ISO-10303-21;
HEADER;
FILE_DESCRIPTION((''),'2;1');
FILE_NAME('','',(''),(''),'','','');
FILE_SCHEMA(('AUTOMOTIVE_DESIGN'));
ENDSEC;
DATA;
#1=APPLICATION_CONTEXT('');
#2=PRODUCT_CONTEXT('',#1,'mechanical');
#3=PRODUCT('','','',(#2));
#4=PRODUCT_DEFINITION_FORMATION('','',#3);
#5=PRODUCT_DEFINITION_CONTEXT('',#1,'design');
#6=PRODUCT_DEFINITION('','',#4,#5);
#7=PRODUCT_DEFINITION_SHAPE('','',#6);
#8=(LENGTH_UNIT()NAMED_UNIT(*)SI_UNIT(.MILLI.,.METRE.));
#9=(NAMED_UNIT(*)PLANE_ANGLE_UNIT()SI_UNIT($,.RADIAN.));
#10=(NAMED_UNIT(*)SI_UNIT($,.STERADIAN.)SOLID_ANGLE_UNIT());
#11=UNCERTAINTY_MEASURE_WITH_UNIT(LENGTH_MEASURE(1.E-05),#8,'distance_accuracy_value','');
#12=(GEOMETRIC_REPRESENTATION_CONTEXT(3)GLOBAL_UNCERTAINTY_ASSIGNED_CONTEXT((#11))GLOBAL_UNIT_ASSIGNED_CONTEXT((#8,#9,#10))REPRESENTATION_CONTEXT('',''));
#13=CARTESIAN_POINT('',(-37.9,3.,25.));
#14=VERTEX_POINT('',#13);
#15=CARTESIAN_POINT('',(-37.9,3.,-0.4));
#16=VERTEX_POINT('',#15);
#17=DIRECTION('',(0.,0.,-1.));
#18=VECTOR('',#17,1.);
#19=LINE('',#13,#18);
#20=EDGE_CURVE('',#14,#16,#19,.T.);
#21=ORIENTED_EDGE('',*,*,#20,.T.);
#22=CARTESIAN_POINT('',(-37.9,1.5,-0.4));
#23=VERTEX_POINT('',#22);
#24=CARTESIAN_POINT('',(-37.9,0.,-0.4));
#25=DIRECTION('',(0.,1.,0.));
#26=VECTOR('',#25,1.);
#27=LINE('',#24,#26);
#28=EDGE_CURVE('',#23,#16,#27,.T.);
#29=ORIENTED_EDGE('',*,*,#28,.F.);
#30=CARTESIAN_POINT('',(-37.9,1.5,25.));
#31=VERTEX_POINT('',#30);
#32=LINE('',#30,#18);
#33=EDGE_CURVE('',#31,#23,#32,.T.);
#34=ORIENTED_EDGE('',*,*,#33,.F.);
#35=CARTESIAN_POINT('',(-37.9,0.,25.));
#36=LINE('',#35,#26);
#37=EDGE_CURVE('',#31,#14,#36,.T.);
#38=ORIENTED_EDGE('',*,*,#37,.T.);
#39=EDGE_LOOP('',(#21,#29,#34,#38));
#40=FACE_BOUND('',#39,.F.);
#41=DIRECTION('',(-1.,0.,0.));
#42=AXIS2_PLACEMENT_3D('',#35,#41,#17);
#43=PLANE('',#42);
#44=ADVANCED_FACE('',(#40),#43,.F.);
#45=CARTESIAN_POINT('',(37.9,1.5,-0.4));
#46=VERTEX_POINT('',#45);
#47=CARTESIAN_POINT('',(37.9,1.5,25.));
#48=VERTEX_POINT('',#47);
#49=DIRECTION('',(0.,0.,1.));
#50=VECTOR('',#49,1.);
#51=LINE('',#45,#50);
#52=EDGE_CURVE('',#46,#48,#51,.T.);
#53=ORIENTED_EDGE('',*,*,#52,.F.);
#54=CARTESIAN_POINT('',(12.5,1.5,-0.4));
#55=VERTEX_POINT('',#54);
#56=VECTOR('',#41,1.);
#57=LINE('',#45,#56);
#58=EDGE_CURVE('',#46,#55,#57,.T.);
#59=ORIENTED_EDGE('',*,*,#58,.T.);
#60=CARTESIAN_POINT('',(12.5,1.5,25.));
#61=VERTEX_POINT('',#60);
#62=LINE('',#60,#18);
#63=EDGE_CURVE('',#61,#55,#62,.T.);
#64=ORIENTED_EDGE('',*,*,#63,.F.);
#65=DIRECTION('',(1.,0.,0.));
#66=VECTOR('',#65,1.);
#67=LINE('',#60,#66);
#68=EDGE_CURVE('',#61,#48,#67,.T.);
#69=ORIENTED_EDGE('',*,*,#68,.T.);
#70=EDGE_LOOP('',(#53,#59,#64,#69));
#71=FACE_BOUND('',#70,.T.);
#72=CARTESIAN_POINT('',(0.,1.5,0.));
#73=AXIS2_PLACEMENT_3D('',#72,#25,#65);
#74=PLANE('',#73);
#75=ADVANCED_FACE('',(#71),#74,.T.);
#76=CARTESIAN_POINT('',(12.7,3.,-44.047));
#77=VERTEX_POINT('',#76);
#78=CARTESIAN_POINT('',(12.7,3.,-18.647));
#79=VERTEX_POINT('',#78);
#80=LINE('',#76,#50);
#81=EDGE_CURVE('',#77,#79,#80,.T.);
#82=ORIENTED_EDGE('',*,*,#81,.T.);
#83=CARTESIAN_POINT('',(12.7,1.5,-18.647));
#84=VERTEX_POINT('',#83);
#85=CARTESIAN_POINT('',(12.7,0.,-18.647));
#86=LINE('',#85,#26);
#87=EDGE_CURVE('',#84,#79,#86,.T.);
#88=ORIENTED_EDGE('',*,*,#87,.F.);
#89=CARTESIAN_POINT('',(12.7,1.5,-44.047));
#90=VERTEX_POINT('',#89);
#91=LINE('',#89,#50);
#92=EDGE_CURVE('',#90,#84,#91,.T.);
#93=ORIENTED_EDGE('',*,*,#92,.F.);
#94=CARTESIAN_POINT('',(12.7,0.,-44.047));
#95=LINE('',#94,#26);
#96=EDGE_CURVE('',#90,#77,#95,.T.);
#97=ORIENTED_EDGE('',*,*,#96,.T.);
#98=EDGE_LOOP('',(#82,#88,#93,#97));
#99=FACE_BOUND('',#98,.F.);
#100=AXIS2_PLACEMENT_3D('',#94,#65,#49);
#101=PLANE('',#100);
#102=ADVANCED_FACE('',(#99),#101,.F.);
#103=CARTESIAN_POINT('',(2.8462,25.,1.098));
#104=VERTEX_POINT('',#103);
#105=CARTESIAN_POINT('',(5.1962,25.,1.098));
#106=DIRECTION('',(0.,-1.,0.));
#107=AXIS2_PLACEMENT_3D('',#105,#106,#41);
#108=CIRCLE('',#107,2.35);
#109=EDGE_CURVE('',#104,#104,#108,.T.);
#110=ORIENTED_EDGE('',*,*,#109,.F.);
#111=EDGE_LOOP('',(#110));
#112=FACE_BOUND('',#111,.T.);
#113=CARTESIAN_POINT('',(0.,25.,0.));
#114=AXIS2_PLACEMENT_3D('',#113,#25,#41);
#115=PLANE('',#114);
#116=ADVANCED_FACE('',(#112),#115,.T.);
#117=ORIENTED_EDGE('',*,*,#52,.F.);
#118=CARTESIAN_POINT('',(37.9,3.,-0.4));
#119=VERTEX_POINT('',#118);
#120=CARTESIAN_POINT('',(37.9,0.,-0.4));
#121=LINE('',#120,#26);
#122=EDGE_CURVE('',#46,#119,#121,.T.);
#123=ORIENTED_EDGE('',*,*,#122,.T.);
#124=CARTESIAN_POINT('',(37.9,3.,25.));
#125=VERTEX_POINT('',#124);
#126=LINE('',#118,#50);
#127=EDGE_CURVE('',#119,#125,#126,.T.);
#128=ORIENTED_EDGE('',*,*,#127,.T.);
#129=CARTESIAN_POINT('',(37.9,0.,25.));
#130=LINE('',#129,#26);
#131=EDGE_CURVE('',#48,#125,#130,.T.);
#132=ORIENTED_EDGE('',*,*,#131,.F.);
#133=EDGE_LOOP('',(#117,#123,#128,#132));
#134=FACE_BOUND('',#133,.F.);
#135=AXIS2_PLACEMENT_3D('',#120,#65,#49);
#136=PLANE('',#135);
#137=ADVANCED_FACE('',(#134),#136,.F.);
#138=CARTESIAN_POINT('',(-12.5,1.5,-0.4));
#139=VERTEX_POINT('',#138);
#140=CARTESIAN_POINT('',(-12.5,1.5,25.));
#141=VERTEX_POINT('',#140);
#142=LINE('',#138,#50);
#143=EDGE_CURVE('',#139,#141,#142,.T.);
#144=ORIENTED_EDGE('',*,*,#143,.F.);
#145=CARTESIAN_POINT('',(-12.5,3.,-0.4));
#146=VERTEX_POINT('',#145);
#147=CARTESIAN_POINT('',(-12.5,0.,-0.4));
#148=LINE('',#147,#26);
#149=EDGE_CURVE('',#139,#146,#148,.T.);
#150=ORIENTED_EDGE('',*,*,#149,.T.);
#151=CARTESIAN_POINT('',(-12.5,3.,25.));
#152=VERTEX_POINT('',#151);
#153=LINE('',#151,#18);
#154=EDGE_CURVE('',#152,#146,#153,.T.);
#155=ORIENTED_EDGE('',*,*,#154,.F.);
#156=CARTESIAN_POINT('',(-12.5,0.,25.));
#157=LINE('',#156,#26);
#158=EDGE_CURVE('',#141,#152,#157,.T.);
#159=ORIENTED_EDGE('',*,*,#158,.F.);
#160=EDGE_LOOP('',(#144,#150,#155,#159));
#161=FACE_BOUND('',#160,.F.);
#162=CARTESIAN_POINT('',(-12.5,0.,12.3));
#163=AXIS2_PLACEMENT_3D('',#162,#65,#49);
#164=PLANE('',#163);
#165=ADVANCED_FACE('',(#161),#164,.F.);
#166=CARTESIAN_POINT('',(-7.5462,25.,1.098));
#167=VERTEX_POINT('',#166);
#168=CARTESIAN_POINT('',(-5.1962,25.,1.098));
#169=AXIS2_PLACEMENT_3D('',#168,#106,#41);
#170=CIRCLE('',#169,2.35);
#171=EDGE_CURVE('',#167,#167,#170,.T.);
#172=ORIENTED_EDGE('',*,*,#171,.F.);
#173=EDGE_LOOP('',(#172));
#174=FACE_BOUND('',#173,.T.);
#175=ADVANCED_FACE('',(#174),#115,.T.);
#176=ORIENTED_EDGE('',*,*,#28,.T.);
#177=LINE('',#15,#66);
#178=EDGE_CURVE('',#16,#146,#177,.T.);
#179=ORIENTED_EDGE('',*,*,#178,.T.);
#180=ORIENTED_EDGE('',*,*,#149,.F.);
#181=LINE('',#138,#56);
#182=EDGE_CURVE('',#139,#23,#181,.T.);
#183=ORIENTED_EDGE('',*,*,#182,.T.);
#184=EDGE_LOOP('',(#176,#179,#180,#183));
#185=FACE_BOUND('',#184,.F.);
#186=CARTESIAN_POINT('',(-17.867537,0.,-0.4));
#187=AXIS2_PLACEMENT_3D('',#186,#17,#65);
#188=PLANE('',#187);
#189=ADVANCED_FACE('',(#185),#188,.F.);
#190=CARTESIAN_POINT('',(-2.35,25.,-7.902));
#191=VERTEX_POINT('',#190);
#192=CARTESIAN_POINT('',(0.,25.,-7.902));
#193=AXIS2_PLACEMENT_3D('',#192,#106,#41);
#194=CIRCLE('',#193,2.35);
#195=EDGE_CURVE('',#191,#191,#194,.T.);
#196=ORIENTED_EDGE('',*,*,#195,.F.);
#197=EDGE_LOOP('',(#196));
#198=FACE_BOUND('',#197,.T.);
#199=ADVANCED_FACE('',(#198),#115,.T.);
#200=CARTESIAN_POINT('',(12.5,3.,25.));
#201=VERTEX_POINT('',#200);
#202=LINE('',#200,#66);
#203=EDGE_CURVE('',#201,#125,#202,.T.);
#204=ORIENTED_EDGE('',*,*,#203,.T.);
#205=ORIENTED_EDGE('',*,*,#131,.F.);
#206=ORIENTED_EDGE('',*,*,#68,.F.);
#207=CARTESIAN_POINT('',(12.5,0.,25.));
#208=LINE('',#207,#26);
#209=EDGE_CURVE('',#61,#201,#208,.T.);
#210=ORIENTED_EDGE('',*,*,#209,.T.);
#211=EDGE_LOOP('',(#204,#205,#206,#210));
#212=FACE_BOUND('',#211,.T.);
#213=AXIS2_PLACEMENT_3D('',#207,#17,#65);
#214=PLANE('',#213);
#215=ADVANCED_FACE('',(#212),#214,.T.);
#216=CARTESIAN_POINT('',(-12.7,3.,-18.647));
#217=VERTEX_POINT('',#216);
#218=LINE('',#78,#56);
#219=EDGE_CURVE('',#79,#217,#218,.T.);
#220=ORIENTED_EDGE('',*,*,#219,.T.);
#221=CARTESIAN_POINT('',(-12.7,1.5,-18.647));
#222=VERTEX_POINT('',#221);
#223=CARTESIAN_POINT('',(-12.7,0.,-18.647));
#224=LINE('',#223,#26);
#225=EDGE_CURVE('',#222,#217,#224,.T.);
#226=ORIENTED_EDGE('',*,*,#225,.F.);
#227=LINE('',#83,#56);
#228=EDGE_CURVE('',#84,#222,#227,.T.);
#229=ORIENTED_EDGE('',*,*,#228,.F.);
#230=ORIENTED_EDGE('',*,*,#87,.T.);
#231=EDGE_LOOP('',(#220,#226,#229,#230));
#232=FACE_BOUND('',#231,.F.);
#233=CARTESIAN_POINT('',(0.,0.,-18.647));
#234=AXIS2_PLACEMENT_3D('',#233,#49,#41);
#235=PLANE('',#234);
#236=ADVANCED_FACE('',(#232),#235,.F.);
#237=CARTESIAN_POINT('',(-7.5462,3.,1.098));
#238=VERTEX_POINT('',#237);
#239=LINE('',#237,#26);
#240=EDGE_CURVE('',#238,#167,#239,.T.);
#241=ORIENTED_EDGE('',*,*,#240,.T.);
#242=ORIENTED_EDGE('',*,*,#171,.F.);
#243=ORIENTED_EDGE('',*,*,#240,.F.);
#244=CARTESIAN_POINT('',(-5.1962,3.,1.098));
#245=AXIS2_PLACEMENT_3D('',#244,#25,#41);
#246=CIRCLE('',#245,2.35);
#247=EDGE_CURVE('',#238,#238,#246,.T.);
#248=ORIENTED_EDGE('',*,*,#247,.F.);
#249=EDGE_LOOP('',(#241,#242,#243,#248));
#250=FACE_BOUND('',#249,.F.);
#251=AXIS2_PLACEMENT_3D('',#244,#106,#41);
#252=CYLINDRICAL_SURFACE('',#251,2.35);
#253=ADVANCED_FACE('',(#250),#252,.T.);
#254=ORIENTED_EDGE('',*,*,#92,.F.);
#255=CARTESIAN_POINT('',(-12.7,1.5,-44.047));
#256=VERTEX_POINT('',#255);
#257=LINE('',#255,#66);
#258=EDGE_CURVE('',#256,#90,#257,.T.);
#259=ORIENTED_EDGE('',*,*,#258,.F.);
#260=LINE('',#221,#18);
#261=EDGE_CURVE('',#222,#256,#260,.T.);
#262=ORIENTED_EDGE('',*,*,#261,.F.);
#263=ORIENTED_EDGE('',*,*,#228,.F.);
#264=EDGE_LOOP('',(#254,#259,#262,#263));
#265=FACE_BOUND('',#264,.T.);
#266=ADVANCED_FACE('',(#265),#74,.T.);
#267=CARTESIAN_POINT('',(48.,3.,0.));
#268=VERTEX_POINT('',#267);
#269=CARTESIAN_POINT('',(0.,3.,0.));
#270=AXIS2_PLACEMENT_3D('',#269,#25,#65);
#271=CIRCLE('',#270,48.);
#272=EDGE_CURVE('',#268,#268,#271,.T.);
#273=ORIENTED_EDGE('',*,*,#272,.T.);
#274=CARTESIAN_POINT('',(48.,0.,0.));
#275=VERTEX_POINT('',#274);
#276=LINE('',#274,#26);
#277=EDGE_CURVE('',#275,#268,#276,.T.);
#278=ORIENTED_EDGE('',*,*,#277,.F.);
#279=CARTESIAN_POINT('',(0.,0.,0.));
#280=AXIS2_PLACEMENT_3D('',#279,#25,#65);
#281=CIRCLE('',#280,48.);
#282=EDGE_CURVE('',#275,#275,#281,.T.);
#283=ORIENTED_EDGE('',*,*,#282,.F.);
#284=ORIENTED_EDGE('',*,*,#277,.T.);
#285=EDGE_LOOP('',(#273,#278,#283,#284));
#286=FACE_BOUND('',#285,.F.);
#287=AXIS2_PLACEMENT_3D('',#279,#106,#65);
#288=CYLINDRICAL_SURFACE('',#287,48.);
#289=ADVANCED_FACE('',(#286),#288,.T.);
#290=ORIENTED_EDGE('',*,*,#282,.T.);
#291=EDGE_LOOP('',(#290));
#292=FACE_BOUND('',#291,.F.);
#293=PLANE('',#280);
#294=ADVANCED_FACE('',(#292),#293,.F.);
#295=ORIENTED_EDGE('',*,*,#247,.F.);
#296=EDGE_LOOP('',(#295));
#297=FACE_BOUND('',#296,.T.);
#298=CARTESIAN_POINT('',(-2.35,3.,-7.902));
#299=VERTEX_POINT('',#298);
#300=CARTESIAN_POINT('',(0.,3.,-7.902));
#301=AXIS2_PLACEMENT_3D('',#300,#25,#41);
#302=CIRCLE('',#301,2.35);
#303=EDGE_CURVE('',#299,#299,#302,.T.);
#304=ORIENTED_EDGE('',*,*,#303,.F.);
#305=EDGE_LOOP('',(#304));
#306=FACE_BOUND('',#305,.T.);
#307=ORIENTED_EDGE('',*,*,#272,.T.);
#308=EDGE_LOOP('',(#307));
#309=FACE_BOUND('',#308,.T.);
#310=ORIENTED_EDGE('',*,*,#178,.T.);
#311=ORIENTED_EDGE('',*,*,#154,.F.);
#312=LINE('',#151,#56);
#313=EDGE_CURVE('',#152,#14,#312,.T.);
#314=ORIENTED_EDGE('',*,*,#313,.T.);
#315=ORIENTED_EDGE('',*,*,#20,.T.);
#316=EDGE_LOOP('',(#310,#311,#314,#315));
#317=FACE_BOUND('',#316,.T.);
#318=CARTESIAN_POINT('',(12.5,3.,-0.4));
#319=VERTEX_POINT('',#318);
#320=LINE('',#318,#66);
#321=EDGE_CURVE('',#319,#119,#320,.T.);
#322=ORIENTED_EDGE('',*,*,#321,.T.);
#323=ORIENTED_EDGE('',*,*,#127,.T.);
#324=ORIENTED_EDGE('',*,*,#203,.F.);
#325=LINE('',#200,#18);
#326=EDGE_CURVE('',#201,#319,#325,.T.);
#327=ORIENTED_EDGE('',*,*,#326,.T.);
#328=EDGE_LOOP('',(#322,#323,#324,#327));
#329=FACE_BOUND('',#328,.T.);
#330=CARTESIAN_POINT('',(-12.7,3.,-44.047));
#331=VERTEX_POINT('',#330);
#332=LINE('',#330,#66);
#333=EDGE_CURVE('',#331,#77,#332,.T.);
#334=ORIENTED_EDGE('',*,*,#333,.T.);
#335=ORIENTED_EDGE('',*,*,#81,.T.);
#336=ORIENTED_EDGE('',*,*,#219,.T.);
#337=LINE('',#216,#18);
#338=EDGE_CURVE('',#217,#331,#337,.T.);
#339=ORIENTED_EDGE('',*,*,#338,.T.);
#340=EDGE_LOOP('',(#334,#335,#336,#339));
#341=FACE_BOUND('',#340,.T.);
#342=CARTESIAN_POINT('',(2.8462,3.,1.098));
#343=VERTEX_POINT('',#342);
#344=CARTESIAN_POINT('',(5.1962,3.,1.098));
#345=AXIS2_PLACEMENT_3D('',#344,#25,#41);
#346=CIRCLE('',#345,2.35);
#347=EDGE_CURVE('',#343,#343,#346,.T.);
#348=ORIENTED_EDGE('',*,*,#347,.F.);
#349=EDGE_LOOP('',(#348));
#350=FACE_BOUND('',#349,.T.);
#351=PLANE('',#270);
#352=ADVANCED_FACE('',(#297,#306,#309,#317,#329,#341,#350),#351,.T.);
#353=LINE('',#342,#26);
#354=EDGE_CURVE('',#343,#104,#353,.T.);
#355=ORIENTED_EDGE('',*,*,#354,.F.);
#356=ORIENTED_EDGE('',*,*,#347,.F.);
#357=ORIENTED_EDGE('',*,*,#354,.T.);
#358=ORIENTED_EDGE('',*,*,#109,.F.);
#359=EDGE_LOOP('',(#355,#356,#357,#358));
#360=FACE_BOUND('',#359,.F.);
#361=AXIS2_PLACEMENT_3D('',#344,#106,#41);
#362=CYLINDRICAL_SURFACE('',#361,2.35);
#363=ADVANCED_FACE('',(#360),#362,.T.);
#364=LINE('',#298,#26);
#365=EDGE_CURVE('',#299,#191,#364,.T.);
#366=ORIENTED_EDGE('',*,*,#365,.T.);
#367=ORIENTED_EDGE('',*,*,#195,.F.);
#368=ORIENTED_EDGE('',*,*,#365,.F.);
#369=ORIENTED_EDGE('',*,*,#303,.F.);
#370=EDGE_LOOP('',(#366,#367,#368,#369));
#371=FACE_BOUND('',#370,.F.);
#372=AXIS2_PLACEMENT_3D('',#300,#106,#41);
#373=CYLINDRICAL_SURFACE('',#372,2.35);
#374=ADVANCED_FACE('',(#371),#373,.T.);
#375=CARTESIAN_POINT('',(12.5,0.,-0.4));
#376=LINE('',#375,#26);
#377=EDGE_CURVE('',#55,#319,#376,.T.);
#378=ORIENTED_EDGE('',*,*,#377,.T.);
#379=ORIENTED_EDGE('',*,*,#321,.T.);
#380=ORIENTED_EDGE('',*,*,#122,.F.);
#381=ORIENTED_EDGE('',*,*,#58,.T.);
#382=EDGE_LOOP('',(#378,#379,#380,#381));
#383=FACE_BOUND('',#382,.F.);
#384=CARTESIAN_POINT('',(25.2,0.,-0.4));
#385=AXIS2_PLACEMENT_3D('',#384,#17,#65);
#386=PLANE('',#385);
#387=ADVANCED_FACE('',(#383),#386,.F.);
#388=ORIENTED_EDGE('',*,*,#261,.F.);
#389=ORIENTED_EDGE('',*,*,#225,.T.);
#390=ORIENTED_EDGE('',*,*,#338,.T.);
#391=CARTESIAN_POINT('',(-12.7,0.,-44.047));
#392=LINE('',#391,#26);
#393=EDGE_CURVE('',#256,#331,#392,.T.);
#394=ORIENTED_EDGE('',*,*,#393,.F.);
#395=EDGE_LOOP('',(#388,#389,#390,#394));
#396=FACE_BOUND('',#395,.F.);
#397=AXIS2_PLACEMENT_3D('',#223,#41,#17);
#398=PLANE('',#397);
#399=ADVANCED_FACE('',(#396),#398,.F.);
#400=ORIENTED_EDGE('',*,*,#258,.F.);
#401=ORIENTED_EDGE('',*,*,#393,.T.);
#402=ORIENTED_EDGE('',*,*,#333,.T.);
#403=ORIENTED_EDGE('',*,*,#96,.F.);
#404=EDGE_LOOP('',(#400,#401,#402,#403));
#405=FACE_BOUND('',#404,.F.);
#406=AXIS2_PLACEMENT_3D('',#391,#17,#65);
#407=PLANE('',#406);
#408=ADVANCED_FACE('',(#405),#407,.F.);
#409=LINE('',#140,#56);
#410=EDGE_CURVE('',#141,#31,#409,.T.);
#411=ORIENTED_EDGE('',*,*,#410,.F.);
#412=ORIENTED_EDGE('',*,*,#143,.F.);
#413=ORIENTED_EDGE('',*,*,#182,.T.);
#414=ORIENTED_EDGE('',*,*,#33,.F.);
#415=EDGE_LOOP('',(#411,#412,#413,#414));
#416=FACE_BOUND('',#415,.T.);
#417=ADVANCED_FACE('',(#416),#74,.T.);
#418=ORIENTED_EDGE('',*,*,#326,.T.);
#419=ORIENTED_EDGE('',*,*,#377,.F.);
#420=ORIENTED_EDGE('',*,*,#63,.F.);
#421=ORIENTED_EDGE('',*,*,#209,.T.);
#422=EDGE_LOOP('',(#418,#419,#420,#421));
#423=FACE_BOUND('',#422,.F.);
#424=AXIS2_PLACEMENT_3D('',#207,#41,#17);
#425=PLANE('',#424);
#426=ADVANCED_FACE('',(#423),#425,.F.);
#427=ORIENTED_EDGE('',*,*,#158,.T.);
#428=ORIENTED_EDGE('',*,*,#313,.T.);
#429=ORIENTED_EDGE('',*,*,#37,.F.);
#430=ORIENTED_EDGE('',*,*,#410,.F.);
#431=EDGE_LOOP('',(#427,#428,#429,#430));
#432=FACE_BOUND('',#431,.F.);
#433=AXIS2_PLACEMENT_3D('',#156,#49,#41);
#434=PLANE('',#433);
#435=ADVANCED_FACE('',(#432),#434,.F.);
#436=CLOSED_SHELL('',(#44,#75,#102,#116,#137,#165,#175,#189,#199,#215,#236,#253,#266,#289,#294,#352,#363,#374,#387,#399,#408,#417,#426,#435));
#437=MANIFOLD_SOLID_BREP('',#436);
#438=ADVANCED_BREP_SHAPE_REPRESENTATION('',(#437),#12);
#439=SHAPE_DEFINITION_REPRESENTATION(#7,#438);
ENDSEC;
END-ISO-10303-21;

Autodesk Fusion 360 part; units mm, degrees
sketch "Sketch1" plane through (0, 0, 0) normal (0, 1, 0) x (1, 0, 0)
  line L0 (0, -25) -> (-12.5, -25)
  line L1 (-12.5, -25) -> (12.5, -25)
  line L2 (12.5, -25) -> (37.9, -25)
  circle A0 centre (0, 0) radius 48
  line L3 (37.9, -25) -> (12.5, -25)
  line L4 (12.5, -25) -> (12.5, 0.4)
  line L5 (12.5, 0.4) -> (37.9, 0.4)
  line L6 (37.9, 0.4) -> (37.9, -25)
  line L7 (-12.5, -25) -> (-37.9, -25)
  line L8 (-37.9, -25) -> (-37.9, 0.4)
  line L9 (-37.9, 0.4) -> (-12.5, 0.4)
  line L10 (-12.5, 0.4) -> (-12.5, -25)
  line L11 (-25.2, 0.4) -> (-25.2, -12.3)
  line L12 (12.5, 0.4) -> (25.2, 0.4)
  line L13 (25.2, 0.4) -> (25.2, -12.3)
  line L14 (-25.2, -12.3) -> (25.2, -12.3)
  line L15 (0, -12.3) -> (0, 31.347)
  line L16 (0, 31.347) -> (-25.2, -12.3)
  line L17 (25.2, -12.3) -> (0, 31.347)
  line L18 (0, 31.347) -> (0, 18.647)
  line L19 (0, 18.647) -> (12.7, 18.647)
  line L20 (12.7, 18.647) -> (-12.7, 18.647)
  line L21 (-12.7, 18.647) -> (-12.7, 44.047)
  line L22 (-12.7, 44.047) -> (12.7, 44.047)
  line L23 (12.7, 44.047) -> (12.7, 18.647)
  dimension "d2" = 12.5
  dimension "d3" = 25
  dimension "d4" = 25.4
  dimension "d5" = 96
  dimension "d6" = 25.4
  dimension "d7" = 25.4
  dimension "d8" = 25.4
  dimension "d9" = 25.4
  dimension "d10" = 12.7
  dimension "d11" = 12.7
  dimension "d12" = 12.7
  dimension "d13" = 43.647
  dimension "d14" = 12.7
  dimension "d15" = 12.7
  dimension "d16" = 25.4
  dimension "d17" = 25.4
extrude "Extrude1" add sketch "Sketch1" along normal blind 3 contours L0 L1 L4 L10 L14 | L9 L10 L14 L15 L16 L20 | L4 L5 L12 L14 L15 L17 L19 L20 | A0
extrude "Extrude2" add sketch "Sketch1" along normal blind 1.5 contours L7 L8 L9 L10 L11 L14 | L2 L3 L4 L5 L6 L13 L14 | L9 L10 L14 L16 | L4 L5 L12 L14 L17 | L9 L11 L16 | L5 L12 L13 L17 | L15 L16 L18 L20 | L15 L17 L18 L19 L20 | L16 L17 L19 L20 L21 L22 L23
sketch "Sketch2" plane through (0, 3, 0) normal (0, 1, 0) x (-1, 0, 0)
  line L0 (-12.5, 25) -> (-12.5, -0.4)
  line L1 (-12.5, -0.4) -> (-37.9, -0.4)
  line L2 (-37.9, -0.4) -> (-37.9, 25)
  line L3 (-37.9, 25) -> (-12.5, 25)
  line L4 (12.7, -44.047) -> (-12.7, -44.047)
  line L5 (-12.7, -44.047) -> (-12.7, -18.647)
  line L6 (-12.7, -18.647) -> (12.7, -18.647)
  line L7 (12.7, -18.647) -> (12.7, -44.047)
  line L8 (37.9, -0.4) -> (12.5, -0.4)
  line L9 (12.5, -0.4) -> (12.5, 25)
  line L10 (12.5, 25) -> (37.9, 25)
  line L11 (37.9, 25) -> (37.9, -0.4)
  circle A0 centre (0, 0) radius 48
  line L12 (0, -31) -> (0, -1.902)
  circle A1 centre (0, -1.902) radius 10.5
  line L13 (0, -1.902) -> (0, -7.902)
  line L14 (0, -1.902) -> (-5.1962, 1.098)
  line L15 (0, -1.902) -> (5.1962, 1.098)
  line L16 (0, -1.902) -> (6, -1.902) construction
  circle A2 centre (0, -7.902) radius 2.35
  circle A3 centre (5.1962, 1.098) radius 2.35
  circle A4 centre (-5.1962, 1.098) radius 2.35
  dimension "d22" = 29.098
  dimension "d23" = 21
  dimension "d24" = 6
  dimension "d25" = 60
  dimension "d26" = 6
  dimension "d27" = 30
  dimension "d28" = 6
  dimension "d29" = 4.7
  dimension "d30" = 4.7
  dimension "d31" = 4.7
extrude "Extrude3" add sketch "Sketch2" along normal blind 22 contours A4 | A3 | L12 L13 A2 | L12 L13 A2
